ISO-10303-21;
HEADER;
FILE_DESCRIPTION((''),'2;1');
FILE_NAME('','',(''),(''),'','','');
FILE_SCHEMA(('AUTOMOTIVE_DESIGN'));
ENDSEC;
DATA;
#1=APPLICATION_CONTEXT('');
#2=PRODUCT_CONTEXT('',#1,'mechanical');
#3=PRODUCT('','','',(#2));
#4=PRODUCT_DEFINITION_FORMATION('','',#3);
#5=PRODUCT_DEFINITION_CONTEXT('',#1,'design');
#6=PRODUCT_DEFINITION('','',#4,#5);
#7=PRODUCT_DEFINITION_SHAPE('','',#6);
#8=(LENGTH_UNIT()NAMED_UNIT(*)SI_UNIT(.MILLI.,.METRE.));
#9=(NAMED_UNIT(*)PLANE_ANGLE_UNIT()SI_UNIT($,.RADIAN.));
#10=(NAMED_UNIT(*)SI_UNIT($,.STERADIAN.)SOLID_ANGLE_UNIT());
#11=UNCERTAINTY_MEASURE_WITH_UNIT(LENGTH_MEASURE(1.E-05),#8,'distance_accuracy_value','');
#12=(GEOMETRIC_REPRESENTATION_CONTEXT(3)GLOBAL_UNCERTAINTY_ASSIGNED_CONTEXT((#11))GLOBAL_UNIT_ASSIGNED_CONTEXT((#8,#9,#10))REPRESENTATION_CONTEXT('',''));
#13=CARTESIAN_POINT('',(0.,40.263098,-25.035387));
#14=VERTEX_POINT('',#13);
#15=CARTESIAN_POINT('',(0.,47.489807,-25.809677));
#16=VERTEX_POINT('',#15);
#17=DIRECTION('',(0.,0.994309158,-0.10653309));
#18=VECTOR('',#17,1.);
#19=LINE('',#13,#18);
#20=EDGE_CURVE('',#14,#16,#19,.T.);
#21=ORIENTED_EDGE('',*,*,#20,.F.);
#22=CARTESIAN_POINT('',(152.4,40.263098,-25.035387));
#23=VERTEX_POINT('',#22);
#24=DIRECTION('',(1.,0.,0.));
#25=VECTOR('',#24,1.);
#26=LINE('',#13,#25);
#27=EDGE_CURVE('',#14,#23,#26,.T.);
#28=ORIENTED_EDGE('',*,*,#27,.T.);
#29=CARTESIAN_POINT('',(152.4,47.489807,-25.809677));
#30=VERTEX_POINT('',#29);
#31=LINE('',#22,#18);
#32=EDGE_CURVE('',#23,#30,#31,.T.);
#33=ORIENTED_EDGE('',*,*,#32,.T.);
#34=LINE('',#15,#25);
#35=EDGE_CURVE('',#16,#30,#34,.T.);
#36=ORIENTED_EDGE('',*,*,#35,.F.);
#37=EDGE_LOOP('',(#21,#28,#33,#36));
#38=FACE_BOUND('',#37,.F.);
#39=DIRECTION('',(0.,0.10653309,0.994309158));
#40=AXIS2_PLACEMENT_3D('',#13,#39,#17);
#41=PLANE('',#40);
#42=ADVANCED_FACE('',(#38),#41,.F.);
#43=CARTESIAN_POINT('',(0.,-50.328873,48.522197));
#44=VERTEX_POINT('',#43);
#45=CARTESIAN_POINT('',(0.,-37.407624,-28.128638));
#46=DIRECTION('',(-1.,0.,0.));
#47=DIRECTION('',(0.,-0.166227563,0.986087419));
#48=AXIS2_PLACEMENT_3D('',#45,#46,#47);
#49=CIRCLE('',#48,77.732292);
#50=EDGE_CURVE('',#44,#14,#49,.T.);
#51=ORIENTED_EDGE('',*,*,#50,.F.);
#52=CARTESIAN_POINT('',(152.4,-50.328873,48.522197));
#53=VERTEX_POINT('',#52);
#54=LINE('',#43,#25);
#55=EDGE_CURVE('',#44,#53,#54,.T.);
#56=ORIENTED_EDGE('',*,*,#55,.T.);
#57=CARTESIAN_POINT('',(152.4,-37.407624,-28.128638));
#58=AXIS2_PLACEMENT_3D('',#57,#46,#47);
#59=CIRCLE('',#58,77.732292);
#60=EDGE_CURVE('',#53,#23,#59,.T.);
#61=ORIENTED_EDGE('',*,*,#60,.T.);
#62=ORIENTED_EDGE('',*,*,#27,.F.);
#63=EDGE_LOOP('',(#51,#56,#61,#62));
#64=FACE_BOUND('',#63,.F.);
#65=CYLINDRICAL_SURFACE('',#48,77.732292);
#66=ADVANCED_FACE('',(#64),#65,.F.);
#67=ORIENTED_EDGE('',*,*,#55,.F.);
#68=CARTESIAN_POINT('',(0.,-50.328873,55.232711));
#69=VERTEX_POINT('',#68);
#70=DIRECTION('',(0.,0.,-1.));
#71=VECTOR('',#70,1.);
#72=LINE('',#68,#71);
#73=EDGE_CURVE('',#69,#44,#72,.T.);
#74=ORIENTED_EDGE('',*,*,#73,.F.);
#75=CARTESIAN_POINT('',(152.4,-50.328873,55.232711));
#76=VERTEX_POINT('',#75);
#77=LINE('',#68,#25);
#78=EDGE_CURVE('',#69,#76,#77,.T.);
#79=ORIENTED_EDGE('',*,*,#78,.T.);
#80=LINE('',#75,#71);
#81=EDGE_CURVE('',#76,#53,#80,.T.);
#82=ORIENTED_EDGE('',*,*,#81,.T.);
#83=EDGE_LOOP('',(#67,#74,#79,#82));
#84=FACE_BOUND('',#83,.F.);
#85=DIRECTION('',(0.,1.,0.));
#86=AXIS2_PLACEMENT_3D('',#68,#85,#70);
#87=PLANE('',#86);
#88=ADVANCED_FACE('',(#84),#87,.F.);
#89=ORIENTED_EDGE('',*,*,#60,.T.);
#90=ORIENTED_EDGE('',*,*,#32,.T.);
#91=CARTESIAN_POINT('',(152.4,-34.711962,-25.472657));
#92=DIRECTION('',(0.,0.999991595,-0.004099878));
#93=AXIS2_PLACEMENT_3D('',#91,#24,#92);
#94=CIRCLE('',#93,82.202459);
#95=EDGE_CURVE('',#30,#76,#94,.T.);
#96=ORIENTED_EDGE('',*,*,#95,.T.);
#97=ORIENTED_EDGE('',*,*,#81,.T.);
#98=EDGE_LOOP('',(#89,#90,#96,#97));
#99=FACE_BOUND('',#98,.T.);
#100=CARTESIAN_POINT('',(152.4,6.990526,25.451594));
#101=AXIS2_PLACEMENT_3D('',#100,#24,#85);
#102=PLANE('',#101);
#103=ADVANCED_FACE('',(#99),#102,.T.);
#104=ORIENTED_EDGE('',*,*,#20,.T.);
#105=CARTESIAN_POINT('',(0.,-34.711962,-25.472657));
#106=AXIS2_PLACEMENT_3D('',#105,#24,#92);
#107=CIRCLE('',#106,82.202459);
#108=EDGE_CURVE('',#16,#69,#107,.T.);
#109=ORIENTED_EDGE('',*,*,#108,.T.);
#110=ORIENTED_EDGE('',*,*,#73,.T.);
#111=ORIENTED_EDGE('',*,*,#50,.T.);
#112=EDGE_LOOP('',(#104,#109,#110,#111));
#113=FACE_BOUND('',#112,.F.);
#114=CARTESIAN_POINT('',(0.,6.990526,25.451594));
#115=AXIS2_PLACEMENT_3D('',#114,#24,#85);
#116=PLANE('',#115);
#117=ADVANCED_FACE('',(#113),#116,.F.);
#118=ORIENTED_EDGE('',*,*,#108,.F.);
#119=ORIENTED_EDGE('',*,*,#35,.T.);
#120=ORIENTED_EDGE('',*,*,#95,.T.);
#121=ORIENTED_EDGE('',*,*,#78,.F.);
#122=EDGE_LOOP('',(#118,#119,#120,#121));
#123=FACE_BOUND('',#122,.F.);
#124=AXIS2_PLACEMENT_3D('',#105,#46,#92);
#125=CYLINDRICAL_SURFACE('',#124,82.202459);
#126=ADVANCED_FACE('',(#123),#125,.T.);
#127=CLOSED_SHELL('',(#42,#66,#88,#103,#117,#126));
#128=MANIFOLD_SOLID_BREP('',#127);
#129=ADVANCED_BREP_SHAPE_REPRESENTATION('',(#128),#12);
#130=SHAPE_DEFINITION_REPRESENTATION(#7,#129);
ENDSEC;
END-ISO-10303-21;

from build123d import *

# Parameters (mm, degrees)
F1_DEPTH = 152.4


with BuildPart() as f1:
    # F0 (on Right) → F1 (new body)
    with BuildSketch(Plane.YZ):
        with BuildLine():
            Line((40.263098, -25.035387), (47.489807, -25.809677))
            ThreePointArc((47.489807, -25.809677), (17.731846, 37.827354), (-50.328873, 55.232711))
            Line((-50.328873, 55.232711), (-50.328873, 48.522197))
            ThreePointArc((-50.328873, 48.522197), (11.590367, 32.216255), (40.263098, -25.035387))
        make_face()
    extrude(amount=F1_DEPTH)


solid = f1.part
